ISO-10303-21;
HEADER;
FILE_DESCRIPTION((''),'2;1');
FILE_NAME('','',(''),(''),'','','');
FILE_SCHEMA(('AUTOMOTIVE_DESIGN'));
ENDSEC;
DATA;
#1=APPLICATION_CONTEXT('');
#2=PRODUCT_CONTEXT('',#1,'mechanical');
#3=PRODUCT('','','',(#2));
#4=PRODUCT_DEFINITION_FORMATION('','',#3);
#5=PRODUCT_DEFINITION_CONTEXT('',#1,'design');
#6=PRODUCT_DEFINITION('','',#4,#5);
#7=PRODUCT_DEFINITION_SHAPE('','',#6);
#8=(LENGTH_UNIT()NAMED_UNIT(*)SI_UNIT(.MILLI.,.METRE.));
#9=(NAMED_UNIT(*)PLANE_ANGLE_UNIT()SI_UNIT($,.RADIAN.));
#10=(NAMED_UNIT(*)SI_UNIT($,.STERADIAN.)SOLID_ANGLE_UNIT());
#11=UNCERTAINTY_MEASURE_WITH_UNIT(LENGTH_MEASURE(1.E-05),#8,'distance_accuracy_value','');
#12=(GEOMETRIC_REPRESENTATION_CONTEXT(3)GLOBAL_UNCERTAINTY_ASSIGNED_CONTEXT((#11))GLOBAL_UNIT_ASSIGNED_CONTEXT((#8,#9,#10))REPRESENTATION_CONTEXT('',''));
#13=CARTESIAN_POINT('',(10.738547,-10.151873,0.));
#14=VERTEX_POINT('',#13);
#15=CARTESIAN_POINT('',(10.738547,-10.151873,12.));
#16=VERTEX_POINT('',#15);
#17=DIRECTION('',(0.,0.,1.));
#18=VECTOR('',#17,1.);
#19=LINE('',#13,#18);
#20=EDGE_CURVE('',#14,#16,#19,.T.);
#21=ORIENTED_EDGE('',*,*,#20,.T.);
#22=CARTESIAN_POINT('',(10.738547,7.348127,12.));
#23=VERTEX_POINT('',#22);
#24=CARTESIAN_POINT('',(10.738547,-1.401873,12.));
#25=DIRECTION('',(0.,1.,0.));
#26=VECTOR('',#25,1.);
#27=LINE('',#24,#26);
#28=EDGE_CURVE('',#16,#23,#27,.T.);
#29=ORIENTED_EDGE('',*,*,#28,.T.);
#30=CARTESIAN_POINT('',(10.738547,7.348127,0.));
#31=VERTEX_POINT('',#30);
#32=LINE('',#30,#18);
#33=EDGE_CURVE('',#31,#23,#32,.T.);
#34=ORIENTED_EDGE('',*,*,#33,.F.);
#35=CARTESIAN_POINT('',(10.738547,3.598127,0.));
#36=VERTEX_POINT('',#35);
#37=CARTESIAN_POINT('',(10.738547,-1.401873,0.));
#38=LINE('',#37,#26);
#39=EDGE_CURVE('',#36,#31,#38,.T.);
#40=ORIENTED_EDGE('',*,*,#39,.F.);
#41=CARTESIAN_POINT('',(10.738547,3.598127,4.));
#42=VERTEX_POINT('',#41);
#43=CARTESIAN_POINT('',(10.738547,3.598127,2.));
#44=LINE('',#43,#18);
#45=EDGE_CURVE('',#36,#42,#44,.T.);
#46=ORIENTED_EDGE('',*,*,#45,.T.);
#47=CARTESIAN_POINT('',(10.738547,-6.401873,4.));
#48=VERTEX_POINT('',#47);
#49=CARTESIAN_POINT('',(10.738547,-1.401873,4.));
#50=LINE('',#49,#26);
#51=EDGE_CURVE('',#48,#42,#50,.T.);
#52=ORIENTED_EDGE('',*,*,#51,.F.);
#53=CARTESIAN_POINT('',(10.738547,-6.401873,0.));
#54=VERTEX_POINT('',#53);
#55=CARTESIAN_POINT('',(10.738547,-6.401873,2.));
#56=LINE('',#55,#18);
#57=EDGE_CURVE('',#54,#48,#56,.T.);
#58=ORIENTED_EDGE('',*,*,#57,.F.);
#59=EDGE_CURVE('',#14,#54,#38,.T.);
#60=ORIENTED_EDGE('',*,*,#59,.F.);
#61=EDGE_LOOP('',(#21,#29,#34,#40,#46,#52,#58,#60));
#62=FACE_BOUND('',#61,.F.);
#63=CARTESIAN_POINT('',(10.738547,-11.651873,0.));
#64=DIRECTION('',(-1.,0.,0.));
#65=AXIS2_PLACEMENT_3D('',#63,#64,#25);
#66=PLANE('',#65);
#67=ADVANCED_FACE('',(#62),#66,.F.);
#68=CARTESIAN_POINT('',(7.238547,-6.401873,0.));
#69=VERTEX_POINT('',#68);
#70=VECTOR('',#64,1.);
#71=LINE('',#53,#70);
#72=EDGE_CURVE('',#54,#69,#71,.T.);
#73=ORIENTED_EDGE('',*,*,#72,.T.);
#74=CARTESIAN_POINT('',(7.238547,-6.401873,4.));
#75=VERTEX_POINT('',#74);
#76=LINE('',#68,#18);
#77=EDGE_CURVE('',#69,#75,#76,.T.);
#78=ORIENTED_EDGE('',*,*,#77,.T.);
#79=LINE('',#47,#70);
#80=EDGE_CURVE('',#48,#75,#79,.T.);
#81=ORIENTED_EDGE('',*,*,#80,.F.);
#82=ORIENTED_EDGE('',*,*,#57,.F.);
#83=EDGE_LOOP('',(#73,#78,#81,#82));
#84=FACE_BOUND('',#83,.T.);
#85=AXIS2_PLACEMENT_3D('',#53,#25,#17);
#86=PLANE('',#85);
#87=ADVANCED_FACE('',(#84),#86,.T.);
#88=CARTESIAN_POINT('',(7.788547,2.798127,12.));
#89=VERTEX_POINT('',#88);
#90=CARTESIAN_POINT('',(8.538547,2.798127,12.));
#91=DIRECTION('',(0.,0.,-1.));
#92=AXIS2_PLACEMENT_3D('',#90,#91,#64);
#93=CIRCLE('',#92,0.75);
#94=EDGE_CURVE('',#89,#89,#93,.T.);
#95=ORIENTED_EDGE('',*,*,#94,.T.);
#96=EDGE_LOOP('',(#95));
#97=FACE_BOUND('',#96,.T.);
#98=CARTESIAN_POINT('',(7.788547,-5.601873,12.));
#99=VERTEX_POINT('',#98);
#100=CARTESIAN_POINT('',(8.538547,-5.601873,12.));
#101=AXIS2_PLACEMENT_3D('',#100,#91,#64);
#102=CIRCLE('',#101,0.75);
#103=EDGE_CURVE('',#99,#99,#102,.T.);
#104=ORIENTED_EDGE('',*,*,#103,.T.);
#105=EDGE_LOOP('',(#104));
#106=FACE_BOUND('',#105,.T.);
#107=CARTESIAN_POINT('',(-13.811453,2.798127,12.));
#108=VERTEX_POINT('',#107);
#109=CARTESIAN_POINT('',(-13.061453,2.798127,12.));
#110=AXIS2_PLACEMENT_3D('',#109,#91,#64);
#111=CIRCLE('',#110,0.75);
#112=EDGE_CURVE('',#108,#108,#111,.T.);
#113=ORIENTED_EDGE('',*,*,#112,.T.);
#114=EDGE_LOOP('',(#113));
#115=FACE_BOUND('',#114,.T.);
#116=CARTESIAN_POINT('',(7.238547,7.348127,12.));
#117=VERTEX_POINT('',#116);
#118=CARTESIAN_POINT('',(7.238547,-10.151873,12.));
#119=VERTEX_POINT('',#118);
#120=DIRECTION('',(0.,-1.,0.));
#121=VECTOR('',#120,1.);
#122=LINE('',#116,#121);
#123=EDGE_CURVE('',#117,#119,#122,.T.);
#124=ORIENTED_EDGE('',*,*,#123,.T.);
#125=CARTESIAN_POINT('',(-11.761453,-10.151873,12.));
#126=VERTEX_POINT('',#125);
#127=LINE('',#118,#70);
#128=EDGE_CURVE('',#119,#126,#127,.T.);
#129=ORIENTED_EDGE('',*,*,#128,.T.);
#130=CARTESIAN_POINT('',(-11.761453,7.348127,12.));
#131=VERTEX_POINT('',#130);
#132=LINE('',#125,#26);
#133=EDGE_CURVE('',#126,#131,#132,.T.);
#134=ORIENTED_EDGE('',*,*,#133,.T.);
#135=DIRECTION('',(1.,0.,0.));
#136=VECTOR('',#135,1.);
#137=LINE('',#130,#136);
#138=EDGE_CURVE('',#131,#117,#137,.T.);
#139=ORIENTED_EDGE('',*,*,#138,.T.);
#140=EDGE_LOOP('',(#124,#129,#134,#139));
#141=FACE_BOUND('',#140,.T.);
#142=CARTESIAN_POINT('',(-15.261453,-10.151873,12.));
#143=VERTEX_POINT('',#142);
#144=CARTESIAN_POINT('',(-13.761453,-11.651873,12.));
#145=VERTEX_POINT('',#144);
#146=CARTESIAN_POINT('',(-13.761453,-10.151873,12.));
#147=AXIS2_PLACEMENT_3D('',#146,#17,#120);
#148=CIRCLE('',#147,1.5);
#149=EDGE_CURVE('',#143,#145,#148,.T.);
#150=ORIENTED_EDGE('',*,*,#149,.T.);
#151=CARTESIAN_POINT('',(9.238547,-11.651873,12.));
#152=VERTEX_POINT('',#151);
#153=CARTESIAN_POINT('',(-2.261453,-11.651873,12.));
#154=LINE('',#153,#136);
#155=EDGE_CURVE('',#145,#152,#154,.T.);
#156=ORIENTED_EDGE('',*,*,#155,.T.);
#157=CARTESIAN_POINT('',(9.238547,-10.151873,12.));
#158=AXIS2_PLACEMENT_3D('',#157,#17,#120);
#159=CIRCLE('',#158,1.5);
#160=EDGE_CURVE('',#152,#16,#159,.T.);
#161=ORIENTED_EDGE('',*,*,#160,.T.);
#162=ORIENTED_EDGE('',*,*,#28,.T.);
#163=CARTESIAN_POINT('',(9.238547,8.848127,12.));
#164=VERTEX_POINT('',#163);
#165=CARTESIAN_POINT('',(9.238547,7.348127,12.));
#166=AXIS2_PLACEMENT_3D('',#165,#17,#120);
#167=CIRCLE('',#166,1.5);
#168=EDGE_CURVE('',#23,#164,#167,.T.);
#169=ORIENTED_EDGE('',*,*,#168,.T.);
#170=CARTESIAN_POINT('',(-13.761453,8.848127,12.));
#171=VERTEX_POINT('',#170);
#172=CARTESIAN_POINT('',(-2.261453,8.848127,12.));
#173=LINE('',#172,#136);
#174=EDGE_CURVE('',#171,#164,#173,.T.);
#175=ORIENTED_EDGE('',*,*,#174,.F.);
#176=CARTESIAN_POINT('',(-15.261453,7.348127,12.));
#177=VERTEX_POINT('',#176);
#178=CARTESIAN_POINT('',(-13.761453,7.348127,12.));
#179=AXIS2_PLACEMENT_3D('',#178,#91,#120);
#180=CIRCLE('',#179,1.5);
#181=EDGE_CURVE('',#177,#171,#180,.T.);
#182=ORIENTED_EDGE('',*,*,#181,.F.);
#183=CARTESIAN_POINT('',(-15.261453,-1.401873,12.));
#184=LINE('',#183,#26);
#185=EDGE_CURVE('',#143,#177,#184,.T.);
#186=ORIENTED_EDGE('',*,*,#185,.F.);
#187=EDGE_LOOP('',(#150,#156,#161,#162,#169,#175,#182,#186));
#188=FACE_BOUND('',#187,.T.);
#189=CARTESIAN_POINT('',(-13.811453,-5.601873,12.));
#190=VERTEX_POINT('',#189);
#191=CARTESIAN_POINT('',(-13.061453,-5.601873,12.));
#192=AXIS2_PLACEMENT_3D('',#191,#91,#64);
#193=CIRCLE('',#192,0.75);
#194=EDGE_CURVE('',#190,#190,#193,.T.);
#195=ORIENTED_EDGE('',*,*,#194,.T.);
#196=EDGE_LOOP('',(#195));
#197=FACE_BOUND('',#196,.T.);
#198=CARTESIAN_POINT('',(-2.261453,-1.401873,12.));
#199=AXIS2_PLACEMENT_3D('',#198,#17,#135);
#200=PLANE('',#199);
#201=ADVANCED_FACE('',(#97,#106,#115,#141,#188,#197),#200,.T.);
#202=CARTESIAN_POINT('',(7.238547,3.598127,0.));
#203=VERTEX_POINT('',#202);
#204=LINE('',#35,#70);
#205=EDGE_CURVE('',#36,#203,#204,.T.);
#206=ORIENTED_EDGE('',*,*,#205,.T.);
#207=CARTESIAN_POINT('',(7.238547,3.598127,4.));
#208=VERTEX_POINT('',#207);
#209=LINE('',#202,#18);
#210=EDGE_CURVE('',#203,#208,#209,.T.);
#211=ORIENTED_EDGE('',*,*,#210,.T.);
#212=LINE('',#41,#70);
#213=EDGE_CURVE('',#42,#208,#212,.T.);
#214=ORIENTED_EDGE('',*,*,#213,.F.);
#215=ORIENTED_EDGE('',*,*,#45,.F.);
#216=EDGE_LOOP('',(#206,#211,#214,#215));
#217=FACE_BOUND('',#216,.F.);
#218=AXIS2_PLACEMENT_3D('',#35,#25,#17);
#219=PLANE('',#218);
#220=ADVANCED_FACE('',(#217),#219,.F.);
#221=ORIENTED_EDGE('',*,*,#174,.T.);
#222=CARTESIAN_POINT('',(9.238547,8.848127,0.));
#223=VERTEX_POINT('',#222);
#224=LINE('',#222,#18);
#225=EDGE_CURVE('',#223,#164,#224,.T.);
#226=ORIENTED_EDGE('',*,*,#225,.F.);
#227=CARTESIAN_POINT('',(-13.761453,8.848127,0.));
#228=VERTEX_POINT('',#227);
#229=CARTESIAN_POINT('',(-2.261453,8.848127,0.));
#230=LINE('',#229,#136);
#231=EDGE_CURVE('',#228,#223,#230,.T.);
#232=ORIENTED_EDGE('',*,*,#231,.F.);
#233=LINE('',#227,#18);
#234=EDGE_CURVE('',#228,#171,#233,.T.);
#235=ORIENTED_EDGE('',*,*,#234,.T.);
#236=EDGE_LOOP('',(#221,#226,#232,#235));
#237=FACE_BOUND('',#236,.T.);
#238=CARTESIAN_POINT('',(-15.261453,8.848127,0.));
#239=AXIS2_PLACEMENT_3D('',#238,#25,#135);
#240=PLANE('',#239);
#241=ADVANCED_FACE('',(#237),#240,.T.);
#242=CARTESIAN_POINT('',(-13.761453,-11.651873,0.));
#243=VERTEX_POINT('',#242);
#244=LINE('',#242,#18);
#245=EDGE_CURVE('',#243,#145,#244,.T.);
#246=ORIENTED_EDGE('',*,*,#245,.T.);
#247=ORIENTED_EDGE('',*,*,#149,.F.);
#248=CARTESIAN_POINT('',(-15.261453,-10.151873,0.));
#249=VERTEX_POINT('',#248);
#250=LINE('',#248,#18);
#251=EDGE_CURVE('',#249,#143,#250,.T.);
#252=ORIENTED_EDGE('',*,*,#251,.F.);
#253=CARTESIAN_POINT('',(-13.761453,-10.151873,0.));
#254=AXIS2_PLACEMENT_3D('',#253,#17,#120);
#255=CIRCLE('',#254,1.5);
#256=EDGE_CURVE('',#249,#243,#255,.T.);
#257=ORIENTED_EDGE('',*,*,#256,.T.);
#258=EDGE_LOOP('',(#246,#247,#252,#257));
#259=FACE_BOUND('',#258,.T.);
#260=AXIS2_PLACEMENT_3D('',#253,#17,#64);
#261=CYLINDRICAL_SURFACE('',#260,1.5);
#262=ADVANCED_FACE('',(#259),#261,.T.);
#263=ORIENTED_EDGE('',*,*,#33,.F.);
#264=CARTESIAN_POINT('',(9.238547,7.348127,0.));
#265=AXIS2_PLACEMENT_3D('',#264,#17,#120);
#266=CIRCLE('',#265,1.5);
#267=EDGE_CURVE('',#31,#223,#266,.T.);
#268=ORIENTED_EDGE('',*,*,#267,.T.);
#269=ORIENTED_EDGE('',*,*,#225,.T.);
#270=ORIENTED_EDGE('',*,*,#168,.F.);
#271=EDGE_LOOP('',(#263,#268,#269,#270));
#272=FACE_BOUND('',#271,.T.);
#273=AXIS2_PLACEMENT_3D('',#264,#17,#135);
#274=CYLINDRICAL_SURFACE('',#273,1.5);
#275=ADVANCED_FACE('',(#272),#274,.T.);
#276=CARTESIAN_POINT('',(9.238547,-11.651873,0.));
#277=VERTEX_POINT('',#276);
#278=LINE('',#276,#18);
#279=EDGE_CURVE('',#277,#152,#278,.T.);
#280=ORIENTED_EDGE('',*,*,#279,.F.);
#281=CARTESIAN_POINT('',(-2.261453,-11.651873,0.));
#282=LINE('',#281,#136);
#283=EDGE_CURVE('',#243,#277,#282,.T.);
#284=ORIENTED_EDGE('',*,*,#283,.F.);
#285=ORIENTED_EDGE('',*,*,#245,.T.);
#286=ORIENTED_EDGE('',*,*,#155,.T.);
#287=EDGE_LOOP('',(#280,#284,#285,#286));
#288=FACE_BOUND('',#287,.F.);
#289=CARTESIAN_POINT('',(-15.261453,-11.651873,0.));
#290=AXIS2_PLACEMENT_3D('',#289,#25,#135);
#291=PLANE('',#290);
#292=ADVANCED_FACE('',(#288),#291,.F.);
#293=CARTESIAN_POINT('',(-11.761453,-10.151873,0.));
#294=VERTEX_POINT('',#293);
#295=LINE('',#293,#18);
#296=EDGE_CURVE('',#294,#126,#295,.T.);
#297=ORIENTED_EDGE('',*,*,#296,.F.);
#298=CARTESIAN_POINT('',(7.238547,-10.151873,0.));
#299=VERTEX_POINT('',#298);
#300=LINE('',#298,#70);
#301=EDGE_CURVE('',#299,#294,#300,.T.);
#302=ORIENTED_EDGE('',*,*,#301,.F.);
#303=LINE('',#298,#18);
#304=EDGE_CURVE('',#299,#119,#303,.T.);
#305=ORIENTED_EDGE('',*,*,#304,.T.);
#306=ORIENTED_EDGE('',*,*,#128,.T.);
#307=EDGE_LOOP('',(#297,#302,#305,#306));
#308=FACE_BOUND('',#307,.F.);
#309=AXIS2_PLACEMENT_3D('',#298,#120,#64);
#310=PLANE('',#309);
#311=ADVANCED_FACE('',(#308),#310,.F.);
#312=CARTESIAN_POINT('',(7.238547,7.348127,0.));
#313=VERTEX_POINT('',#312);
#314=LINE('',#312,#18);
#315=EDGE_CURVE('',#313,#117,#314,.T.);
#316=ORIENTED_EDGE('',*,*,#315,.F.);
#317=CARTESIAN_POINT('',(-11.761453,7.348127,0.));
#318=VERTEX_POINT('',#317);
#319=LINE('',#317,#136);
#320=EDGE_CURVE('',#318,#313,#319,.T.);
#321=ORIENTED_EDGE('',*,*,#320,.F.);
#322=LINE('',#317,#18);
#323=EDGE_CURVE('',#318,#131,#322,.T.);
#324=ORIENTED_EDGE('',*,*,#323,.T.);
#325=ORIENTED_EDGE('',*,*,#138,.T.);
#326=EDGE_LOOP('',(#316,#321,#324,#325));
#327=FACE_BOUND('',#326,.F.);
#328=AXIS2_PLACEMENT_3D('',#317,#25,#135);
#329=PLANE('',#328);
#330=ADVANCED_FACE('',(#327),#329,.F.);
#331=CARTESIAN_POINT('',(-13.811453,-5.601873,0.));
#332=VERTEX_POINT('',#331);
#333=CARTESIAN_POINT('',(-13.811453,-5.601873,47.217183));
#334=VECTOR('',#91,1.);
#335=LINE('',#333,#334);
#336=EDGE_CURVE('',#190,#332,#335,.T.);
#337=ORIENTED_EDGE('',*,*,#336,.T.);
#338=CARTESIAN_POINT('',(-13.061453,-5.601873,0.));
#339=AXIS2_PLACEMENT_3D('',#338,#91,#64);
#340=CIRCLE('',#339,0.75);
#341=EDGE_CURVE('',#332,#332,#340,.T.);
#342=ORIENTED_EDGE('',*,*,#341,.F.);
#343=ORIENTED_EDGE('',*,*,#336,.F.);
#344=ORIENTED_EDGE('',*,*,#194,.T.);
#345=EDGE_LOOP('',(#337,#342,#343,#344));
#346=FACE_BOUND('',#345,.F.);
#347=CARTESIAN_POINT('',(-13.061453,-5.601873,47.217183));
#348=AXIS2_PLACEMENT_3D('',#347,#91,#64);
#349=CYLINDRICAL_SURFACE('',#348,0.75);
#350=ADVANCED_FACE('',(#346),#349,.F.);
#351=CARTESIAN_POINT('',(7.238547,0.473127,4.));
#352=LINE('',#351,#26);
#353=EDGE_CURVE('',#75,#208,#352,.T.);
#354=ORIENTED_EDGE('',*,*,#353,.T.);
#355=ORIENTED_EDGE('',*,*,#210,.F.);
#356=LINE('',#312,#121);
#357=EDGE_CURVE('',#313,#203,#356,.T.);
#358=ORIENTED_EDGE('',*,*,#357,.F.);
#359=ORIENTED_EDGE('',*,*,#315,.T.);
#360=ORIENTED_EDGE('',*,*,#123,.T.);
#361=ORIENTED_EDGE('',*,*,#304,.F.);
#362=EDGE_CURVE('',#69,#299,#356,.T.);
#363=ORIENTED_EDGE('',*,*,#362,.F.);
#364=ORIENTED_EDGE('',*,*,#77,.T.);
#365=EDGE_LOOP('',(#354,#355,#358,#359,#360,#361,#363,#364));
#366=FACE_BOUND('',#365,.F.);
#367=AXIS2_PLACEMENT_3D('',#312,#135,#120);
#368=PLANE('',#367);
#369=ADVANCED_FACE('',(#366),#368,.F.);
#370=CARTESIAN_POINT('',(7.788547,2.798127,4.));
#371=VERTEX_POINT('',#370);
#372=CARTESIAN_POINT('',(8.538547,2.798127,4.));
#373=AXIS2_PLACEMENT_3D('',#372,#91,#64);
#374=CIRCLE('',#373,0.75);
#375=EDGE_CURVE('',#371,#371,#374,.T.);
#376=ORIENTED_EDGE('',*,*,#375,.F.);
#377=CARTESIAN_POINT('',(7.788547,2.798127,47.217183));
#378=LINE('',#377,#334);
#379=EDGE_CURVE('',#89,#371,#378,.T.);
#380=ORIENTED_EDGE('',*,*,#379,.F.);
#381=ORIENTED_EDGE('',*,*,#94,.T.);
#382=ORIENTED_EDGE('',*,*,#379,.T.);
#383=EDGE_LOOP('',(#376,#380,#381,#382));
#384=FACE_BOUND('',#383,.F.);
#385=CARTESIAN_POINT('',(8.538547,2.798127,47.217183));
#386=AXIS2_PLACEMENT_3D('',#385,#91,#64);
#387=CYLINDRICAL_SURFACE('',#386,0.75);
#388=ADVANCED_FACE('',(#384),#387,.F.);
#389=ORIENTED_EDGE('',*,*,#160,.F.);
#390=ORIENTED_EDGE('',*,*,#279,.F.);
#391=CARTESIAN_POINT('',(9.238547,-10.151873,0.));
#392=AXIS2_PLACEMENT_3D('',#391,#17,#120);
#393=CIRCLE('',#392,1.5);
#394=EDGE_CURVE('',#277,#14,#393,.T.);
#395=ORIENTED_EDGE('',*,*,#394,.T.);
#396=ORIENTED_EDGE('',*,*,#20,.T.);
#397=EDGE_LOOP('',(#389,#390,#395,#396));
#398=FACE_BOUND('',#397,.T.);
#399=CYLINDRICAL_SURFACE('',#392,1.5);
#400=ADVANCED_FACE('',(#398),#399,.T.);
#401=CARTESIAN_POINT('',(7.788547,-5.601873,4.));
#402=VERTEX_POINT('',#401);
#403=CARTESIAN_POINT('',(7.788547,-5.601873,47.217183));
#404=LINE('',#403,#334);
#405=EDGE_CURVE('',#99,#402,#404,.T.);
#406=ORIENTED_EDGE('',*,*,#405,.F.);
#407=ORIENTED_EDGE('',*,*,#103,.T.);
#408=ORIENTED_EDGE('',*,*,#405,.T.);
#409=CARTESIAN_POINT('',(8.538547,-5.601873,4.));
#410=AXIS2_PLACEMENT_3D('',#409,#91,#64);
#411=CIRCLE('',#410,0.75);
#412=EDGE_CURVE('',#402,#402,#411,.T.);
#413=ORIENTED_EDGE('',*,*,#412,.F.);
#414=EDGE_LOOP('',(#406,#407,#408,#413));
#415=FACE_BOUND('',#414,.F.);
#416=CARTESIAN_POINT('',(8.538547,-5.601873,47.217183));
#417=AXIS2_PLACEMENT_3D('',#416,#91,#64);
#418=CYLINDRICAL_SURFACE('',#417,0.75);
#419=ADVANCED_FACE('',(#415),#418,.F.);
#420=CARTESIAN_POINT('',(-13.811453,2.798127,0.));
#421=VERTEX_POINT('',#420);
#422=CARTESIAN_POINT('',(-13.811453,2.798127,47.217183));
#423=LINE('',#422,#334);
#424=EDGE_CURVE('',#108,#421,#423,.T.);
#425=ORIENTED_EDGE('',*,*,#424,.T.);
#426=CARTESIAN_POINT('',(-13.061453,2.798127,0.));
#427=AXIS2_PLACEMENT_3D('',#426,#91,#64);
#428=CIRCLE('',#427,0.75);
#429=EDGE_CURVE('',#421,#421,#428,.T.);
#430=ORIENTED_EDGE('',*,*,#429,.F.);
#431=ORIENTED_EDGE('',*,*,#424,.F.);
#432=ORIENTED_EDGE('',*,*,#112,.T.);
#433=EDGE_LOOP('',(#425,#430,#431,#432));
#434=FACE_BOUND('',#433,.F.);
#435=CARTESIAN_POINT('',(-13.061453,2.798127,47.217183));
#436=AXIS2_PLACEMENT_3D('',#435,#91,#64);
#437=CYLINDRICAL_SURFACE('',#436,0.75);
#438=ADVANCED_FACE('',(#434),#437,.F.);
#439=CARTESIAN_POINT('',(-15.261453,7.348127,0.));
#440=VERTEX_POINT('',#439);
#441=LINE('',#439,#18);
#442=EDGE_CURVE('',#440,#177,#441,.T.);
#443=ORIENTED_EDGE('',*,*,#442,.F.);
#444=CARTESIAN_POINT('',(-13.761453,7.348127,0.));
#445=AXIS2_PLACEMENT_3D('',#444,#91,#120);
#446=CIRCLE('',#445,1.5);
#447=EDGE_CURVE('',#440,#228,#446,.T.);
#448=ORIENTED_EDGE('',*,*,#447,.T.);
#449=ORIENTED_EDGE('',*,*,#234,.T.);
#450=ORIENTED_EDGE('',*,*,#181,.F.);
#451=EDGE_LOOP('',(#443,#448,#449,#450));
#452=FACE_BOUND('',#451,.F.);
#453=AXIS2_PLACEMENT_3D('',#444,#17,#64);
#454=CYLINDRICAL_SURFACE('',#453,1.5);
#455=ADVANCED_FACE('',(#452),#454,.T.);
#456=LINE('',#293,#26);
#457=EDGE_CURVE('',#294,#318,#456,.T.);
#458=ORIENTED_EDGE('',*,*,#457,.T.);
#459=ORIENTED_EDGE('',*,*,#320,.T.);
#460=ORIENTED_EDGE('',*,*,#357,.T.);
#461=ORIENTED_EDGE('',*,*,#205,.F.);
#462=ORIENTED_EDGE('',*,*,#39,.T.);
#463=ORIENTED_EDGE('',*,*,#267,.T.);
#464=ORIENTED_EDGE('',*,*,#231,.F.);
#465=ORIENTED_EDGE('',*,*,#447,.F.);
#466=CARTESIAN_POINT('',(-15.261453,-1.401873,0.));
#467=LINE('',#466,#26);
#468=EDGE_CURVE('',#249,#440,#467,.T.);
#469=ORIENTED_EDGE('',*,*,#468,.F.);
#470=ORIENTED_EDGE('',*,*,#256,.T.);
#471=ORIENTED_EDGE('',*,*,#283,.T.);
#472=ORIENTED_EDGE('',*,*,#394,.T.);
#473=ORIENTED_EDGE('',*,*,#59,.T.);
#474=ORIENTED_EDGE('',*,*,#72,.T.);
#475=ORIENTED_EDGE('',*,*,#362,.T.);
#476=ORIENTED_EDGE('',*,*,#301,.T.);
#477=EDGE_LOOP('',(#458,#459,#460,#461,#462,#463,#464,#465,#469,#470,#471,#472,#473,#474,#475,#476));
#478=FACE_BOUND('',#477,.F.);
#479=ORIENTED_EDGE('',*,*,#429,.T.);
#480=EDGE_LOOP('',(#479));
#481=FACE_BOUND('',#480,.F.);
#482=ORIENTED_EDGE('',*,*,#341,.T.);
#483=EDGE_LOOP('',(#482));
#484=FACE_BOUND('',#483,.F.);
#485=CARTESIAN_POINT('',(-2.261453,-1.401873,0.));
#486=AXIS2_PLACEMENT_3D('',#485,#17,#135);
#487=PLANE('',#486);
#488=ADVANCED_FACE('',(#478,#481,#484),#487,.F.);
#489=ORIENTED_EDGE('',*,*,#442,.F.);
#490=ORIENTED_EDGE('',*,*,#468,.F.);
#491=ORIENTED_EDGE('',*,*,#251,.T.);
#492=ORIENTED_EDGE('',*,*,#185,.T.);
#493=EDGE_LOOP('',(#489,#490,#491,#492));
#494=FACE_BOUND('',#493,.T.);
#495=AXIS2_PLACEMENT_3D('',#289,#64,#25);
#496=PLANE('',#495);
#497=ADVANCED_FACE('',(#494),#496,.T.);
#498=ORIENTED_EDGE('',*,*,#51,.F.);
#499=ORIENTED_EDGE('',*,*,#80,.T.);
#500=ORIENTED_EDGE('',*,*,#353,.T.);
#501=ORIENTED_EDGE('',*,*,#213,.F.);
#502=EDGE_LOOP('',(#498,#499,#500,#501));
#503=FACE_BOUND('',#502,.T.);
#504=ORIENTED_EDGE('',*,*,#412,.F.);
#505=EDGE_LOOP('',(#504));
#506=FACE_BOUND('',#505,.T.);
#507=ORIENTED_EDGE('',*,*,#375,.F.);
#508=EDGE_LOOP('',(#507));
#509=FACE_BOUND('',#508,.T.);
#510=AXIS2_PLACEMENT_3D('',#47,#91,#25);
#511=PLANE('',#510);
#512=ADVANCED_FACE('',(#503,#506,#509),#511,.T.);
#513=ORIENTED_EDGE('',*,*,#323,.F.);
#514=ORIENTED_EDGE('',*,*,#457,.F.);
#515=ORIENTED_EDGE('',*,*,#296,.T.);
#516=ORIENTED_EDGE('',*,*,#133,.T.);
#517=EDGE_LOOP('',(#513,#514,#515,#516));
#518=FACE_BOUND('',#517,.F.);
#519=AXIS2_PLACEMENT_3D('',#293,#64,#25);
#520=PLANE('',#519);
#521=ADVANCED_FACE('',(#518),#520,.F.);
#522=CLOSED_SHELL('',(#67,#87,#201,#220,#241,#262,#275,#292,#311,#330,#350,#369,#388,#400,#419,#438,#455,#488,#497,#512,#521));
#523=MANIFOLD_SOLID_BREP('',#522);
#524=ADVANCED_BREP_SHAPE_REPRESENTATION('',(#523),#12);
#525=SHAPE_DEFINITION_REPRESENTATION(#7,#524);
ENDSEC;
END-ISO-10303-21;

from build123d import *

# Parameters (mm, degrees)
F0_W     = 26
F0_H     = 20.5
F1_DEPTH = 12
F3_R     = 1.5
F5_D     = 1.5
F6_D     = 1.5
F7_D     = 1.5
F8_D     = 1.5
F2_W     = 10
F2_H     = 4
F9_DEPTH = 10


with BuildPart() as f1:
    # F0 (on Top) → F1 (new body)
    with BuildSketch(Plane.XY):
        with Locations((-2.261453, -1.401873)):
            Rectangle(F0_W, F0_H)
        Polygon((-11.761453, -10.151873), (-11.761453, 7.348127), (5.738547, 7.348127), (7.238547, 7.348127), (7.238547, -10.151873), (5.738547, -10.151873), align=None, mode=Mode.SUBTRACT)
    extrude(amount=F1_DEPTH)

    # F3
    f3_edges = [f1.edges().sort_by_distance(p)[0] for p in [
        (10.738547, 8.848127, 6),
        (10.738547, -11.651873, 6),
        (-15.261453, -11.651873, 6),
        (-15.261453, 8.848127, 6),
    ]]
    fillet(f3_edges, radius=F3_R)

    # F5 (through all)
    with Locations(Plane.XY.offset(12)):
        with Locations((-13.061453, 2.798127)):
            Hole(F5_D / 2)

    # F6 (through all)
    with Locations(Plane.XY.offset(12)):
        with Locations((-13.061453, -5.601873)):
            Hole(F6_D / 2)

    # F7 (through all)
    with Locations(Plane.XY.offset(12)):
        with Locations((8.538547, -5.601873)):
            Hole(F7_D / 2)

    # F8 (through all)
    with Locations(Plane.XY.offset(12)):
        with Locations((8.538547, 2.798127)):
            Hole(F8_D / 2)

    # F2 (on face) → F9 (cut)
    with BuildSketch(Plane.YZ.offset(10.738547)):
        with Locations((-1.401873, 2)):
            Rectangle(F2_W, F2_H)
    extrude(amount=-F9_DEPTH, mode=Mode.SUBTRACT)


solid = f1.part
